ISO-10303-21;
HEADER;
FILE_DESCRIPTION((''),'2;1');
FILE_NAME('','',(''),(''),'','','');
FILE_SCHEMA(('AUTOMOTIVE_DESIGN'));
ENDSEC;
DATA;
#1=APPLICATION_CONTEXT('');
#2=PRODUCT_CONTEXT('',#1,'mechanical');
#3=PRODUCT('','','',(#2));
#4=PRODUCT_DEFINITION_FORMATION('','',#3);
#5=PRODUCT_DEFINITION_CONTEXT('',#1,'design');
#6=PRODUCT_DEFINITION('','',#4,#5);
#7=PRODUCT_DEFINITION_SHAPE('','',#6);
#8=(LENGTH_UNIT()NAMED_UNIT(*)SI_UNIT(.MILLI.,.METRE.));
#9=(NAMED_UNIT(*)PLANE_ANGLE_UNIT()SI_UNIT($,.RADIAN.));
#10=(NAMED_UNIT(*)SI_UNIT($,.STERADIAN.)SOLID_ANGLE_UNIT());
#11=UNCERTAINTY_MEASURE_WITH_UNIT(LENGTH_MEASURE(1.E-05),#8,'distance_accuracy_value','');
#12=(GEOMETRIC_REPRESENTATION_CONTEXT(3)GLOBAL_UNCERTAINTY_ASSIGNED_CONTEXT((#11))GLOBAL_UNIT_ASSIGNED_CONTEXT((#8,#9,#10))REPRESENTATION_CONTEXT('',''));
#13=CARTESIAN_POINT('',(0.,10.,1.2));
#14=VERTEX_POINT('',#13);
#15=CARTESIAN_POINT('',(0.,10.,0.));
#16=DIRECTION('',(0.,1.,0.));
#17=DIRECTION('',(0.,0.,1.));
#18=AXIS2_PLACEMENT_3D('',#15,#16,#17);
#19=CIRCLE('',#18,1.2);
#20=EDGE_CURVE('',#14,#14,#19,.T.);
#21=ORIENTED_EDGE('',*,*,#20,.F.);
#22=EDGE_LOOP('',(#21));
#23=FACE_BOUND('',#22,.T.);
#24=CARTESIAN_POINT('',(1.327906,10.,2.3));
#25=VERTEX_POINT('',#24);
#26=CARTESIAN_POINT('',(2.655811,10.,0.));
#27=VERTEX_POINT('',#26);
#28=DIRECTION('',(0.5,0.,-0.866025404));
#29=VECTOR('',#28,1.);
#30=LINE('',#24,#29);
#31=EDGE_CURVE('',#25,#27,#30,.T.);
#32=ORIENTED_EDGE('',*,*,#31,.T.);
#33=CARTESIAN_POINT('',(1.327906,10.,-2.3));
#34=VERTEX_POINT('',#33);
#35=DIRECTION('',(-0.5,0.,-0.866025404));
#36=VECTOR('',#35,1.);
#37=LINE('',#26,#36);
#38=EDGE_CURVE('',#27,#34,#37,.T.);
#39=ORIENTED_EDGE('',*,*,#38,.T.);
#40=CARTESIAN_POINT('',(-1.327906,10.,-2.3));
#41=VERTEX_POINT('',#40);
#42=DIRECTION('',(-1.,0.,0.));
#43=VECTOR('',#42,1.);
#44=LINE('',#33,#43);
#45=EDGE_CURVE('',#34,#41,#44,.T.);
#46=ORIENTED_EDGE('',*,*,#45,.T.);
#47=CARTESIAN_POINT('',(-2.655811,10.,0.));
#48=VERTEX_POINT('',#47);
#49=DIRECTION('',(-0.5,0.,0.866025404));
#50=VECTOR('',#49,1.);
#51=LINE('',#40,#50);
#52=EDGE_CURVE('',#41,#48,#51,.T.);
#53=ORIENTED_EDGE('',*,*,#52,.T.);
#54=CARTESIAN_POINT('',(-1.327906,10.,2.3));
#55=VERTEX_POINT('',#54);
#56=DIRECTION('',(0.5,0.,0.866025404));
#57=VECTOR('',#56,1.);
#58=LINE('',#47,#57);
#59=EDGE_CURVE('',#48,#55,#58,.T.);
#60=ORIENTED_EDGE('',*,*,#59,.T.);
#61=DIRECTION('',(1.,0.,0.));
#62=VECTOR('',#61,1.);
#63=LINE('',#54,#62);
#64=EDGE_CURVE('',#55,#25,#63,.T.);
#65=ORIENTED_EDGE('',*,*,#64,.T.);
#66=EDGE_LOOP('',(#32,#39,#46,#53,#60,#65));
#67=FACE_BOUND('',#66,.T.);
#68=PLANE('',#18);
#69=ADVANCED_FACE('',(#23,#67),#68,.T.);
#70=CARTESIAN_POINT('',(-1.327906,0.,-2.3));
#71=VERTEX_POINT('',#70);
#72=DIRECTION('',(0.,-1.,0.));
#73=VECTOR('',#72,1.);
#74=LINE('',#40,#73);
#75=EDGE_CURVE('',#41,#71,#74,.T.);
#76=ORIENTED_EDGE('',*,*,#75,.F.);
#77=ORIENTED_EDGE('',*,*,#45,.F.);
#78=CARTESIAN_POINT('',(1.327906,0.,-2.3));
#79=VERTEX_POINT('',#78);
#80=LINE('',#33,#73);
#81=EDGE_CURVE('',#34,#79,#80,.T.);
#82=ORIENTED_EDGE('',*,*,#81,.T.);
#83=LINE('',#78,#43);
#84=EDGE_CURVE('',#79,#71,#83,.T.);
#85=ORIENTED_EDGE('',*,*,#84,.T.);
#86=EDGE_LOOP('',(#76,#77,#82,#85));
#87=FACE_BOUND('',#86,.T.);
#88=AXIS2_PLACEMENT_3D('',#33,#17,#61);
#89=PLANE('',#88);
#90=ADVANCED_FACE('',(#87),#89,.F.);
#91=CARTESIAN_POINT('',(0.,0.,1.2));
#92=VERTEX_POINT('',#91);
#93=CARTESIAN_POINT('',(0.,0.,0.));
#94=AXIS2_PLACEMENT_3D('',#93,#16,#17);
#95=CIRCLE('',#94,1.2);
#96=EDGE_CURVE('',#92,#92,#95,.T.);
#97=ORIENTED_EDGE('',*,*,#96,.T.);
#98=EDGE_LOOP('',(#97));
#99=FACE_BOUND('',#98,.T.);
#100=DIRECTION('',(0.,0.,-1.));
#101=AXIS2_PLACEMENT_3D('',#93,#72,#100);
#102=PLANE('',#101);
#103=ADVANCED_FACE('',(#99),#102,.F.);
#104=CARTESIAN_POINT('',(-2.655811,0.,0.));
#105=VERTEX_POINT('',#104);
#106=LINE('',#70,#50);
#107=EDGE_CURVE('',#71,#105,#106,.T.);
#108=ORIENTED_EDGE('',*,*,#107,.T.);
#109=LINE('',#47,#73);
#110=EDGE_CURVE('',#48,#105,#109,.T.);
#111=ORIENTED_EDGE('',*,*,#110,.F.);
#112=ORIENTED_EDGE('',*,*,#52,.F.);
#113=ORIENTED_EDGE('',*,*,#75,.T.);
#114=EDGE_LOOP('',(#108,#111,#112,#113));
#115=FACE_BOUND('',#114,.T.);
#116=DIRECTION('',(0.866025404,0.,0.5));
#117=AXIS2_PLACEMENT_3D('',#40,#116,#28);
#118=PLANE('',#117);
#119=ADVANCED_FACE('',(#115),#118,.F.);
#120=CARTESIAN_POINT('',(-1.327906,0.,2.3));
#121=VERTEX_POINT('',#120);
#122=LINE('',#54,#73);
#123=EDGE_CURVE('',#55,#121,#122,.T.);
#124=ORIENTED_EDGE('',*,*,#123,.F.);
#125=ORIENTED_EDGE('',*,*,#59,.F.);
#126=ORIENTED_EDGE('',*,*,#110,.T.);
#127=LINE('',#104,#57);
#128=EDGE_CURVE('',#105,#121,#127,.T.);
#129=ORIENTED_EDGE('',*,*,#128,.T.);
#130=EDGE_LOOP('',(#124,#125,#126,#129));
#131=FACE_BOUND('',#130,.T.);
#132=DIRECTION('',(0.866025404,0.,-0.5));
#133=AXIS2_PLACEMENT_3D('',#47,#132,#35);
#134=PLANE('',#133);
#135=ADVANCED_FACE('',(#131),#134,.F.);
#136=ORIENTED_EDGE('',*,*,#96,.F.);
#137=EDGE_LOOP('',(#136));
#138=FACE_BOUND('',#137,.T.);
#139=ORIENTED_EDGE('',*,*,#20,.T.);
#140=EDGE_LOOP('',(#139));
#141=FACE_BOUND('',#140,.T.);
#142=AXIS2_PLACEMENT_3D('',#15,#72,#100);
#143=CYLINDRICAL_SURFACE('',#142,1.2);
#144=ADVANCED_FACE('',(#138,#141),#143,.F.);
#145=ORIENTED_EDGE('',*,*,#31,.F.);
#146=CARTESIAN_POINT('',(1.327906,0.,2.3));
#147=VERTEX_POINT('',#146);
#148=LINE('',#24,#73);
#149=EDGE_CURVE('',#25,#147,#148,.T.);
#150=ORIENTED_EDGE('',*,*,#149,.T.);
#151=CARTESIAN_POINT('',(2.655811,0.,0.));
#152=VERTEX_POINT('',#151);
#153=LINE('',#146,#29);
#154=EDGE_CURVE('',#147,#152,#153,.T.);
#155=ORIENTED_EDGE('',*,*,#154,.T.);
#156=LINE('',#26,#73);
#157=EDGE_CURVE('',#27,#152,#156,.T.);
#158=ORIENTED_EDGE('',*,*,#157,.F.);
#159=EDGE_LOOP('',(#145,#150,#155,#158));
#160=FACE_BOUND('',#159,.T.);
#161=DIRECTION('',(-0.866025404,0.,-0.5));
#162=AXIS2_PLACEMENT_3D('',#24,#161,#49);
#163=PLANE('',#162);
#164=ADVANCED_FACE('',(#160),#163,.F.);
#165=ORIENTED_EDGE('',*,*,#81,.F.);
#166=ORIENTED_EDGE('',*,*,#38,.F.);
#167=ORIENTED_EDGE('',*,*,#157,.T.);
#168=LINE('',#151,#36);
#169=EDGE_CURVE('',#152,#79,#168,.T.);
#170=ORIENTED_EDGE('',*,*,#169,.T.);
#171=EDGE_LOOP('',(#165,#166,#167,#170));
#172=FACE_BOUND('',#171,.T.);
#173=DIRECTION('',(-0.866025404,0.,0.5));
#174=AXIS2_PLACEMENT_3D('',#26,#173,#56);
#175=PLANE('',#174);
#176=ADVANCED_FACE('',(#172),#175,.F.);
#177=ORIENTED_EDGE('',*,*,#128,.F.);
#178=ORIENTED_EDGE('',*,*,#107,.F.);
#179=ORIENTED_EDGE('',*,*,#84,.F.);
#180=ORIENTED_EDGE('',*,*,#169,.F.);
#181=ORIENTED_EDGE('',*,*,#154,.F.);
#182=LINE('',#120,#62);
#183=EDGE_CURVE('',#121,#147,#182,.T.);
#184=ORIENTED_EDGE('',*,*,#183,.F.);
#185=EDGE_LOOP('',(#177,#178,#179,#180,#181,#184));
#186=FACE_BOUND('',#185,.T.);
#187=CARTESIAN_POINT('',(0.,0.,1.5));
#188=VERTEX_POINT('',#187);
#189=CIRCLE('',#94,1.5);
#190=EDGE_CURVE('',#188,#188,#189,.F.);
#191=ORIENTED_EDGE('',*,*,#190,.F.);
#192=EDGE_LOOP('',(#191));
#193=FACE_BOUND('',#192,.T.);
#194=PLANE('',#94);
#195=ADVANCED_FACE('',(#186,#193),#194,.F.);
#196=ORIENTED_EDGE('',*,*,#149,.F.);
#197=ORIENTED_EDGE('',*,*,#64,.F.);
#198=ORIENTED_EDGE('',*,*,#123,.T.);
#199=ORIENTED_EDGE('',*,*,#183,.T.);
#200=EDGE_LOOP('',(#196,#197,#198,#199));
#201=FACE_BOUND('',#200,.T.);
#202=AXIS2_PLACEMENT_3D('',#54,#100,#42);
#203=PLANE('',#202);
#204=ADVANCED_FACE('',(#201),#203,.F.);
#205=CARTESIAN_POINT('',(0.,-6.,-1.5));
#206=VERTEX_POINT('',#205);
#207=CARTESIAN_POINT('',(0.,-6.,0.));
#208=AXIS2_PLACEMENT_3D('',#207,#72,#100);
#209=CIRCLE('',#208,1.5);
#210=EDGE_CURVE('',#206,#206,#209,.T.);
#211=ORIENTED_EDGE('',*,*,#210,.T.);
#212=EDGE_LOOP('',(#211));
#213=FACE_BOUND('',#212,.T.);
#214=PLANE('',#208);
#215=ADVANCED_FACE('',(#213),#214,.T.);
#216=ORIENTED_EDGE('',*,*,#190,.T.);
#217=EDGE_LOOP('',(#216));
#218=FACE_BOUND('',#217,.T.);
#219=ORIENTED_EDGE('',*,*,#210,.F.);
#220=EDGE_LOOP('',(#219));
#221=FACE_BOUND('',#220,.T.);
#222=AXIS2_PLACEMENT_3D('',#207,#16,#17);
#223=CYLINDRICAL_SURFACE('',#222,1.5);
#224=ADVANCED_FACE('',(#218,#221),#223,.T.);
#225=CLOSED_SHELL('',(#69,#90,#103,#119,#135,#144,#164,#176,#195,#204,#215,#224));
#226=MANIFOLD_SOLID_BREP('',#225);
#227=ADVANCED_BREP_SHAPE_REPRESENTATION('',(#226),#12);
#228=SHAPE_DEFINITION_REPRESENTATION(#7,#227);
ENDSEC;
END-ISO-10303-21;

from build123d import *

# Parameters (mm, degrees)
SKETCH1_R           = 1.2
BOSS_EXTRUDE1_DEPTH = 10
SKETCH3_R           = 1.5
BOSS_EXTRUDE2_DEPTH = 6


with BuildPart() as part:
    # Sketch1 → Boss-Extrude1 (new body)
    with BuildSketch(Plane(origin=(0, 0, 0), x_dir=(1, 0, 0), z_dir=(0, 1, 0))):
        Polygon((2.655811238, 0), (1.327905619, 2.3), (-1.327905619, 2.3), (-2.655811238, 0), (-1.327905619, -2.3), (1.327905619, -2.3), align=None)
        with Locations(Location((0, 0, 0), (0, 0, 270))):
            Circle(SKETCH1_R, mode=Mode.SUBTRACT)
    extrude(amount=BOSS_EXTRUDE1_DEPTH)

    # Sketch3 → Boss-Extrude2 (add)
    with BuildSketch(Plane(origin=(0, 0, 0), x_dir=(-1, 0, 0), z_dir=(0, -1, 0))):
        with Locations(Location((0, 0, 0), (0, 0, 270))):
            Circle(SKETCH3_R)
    extrude(amount=BOSS_EXTRUDE2_DEPTH)


solid = part.part
